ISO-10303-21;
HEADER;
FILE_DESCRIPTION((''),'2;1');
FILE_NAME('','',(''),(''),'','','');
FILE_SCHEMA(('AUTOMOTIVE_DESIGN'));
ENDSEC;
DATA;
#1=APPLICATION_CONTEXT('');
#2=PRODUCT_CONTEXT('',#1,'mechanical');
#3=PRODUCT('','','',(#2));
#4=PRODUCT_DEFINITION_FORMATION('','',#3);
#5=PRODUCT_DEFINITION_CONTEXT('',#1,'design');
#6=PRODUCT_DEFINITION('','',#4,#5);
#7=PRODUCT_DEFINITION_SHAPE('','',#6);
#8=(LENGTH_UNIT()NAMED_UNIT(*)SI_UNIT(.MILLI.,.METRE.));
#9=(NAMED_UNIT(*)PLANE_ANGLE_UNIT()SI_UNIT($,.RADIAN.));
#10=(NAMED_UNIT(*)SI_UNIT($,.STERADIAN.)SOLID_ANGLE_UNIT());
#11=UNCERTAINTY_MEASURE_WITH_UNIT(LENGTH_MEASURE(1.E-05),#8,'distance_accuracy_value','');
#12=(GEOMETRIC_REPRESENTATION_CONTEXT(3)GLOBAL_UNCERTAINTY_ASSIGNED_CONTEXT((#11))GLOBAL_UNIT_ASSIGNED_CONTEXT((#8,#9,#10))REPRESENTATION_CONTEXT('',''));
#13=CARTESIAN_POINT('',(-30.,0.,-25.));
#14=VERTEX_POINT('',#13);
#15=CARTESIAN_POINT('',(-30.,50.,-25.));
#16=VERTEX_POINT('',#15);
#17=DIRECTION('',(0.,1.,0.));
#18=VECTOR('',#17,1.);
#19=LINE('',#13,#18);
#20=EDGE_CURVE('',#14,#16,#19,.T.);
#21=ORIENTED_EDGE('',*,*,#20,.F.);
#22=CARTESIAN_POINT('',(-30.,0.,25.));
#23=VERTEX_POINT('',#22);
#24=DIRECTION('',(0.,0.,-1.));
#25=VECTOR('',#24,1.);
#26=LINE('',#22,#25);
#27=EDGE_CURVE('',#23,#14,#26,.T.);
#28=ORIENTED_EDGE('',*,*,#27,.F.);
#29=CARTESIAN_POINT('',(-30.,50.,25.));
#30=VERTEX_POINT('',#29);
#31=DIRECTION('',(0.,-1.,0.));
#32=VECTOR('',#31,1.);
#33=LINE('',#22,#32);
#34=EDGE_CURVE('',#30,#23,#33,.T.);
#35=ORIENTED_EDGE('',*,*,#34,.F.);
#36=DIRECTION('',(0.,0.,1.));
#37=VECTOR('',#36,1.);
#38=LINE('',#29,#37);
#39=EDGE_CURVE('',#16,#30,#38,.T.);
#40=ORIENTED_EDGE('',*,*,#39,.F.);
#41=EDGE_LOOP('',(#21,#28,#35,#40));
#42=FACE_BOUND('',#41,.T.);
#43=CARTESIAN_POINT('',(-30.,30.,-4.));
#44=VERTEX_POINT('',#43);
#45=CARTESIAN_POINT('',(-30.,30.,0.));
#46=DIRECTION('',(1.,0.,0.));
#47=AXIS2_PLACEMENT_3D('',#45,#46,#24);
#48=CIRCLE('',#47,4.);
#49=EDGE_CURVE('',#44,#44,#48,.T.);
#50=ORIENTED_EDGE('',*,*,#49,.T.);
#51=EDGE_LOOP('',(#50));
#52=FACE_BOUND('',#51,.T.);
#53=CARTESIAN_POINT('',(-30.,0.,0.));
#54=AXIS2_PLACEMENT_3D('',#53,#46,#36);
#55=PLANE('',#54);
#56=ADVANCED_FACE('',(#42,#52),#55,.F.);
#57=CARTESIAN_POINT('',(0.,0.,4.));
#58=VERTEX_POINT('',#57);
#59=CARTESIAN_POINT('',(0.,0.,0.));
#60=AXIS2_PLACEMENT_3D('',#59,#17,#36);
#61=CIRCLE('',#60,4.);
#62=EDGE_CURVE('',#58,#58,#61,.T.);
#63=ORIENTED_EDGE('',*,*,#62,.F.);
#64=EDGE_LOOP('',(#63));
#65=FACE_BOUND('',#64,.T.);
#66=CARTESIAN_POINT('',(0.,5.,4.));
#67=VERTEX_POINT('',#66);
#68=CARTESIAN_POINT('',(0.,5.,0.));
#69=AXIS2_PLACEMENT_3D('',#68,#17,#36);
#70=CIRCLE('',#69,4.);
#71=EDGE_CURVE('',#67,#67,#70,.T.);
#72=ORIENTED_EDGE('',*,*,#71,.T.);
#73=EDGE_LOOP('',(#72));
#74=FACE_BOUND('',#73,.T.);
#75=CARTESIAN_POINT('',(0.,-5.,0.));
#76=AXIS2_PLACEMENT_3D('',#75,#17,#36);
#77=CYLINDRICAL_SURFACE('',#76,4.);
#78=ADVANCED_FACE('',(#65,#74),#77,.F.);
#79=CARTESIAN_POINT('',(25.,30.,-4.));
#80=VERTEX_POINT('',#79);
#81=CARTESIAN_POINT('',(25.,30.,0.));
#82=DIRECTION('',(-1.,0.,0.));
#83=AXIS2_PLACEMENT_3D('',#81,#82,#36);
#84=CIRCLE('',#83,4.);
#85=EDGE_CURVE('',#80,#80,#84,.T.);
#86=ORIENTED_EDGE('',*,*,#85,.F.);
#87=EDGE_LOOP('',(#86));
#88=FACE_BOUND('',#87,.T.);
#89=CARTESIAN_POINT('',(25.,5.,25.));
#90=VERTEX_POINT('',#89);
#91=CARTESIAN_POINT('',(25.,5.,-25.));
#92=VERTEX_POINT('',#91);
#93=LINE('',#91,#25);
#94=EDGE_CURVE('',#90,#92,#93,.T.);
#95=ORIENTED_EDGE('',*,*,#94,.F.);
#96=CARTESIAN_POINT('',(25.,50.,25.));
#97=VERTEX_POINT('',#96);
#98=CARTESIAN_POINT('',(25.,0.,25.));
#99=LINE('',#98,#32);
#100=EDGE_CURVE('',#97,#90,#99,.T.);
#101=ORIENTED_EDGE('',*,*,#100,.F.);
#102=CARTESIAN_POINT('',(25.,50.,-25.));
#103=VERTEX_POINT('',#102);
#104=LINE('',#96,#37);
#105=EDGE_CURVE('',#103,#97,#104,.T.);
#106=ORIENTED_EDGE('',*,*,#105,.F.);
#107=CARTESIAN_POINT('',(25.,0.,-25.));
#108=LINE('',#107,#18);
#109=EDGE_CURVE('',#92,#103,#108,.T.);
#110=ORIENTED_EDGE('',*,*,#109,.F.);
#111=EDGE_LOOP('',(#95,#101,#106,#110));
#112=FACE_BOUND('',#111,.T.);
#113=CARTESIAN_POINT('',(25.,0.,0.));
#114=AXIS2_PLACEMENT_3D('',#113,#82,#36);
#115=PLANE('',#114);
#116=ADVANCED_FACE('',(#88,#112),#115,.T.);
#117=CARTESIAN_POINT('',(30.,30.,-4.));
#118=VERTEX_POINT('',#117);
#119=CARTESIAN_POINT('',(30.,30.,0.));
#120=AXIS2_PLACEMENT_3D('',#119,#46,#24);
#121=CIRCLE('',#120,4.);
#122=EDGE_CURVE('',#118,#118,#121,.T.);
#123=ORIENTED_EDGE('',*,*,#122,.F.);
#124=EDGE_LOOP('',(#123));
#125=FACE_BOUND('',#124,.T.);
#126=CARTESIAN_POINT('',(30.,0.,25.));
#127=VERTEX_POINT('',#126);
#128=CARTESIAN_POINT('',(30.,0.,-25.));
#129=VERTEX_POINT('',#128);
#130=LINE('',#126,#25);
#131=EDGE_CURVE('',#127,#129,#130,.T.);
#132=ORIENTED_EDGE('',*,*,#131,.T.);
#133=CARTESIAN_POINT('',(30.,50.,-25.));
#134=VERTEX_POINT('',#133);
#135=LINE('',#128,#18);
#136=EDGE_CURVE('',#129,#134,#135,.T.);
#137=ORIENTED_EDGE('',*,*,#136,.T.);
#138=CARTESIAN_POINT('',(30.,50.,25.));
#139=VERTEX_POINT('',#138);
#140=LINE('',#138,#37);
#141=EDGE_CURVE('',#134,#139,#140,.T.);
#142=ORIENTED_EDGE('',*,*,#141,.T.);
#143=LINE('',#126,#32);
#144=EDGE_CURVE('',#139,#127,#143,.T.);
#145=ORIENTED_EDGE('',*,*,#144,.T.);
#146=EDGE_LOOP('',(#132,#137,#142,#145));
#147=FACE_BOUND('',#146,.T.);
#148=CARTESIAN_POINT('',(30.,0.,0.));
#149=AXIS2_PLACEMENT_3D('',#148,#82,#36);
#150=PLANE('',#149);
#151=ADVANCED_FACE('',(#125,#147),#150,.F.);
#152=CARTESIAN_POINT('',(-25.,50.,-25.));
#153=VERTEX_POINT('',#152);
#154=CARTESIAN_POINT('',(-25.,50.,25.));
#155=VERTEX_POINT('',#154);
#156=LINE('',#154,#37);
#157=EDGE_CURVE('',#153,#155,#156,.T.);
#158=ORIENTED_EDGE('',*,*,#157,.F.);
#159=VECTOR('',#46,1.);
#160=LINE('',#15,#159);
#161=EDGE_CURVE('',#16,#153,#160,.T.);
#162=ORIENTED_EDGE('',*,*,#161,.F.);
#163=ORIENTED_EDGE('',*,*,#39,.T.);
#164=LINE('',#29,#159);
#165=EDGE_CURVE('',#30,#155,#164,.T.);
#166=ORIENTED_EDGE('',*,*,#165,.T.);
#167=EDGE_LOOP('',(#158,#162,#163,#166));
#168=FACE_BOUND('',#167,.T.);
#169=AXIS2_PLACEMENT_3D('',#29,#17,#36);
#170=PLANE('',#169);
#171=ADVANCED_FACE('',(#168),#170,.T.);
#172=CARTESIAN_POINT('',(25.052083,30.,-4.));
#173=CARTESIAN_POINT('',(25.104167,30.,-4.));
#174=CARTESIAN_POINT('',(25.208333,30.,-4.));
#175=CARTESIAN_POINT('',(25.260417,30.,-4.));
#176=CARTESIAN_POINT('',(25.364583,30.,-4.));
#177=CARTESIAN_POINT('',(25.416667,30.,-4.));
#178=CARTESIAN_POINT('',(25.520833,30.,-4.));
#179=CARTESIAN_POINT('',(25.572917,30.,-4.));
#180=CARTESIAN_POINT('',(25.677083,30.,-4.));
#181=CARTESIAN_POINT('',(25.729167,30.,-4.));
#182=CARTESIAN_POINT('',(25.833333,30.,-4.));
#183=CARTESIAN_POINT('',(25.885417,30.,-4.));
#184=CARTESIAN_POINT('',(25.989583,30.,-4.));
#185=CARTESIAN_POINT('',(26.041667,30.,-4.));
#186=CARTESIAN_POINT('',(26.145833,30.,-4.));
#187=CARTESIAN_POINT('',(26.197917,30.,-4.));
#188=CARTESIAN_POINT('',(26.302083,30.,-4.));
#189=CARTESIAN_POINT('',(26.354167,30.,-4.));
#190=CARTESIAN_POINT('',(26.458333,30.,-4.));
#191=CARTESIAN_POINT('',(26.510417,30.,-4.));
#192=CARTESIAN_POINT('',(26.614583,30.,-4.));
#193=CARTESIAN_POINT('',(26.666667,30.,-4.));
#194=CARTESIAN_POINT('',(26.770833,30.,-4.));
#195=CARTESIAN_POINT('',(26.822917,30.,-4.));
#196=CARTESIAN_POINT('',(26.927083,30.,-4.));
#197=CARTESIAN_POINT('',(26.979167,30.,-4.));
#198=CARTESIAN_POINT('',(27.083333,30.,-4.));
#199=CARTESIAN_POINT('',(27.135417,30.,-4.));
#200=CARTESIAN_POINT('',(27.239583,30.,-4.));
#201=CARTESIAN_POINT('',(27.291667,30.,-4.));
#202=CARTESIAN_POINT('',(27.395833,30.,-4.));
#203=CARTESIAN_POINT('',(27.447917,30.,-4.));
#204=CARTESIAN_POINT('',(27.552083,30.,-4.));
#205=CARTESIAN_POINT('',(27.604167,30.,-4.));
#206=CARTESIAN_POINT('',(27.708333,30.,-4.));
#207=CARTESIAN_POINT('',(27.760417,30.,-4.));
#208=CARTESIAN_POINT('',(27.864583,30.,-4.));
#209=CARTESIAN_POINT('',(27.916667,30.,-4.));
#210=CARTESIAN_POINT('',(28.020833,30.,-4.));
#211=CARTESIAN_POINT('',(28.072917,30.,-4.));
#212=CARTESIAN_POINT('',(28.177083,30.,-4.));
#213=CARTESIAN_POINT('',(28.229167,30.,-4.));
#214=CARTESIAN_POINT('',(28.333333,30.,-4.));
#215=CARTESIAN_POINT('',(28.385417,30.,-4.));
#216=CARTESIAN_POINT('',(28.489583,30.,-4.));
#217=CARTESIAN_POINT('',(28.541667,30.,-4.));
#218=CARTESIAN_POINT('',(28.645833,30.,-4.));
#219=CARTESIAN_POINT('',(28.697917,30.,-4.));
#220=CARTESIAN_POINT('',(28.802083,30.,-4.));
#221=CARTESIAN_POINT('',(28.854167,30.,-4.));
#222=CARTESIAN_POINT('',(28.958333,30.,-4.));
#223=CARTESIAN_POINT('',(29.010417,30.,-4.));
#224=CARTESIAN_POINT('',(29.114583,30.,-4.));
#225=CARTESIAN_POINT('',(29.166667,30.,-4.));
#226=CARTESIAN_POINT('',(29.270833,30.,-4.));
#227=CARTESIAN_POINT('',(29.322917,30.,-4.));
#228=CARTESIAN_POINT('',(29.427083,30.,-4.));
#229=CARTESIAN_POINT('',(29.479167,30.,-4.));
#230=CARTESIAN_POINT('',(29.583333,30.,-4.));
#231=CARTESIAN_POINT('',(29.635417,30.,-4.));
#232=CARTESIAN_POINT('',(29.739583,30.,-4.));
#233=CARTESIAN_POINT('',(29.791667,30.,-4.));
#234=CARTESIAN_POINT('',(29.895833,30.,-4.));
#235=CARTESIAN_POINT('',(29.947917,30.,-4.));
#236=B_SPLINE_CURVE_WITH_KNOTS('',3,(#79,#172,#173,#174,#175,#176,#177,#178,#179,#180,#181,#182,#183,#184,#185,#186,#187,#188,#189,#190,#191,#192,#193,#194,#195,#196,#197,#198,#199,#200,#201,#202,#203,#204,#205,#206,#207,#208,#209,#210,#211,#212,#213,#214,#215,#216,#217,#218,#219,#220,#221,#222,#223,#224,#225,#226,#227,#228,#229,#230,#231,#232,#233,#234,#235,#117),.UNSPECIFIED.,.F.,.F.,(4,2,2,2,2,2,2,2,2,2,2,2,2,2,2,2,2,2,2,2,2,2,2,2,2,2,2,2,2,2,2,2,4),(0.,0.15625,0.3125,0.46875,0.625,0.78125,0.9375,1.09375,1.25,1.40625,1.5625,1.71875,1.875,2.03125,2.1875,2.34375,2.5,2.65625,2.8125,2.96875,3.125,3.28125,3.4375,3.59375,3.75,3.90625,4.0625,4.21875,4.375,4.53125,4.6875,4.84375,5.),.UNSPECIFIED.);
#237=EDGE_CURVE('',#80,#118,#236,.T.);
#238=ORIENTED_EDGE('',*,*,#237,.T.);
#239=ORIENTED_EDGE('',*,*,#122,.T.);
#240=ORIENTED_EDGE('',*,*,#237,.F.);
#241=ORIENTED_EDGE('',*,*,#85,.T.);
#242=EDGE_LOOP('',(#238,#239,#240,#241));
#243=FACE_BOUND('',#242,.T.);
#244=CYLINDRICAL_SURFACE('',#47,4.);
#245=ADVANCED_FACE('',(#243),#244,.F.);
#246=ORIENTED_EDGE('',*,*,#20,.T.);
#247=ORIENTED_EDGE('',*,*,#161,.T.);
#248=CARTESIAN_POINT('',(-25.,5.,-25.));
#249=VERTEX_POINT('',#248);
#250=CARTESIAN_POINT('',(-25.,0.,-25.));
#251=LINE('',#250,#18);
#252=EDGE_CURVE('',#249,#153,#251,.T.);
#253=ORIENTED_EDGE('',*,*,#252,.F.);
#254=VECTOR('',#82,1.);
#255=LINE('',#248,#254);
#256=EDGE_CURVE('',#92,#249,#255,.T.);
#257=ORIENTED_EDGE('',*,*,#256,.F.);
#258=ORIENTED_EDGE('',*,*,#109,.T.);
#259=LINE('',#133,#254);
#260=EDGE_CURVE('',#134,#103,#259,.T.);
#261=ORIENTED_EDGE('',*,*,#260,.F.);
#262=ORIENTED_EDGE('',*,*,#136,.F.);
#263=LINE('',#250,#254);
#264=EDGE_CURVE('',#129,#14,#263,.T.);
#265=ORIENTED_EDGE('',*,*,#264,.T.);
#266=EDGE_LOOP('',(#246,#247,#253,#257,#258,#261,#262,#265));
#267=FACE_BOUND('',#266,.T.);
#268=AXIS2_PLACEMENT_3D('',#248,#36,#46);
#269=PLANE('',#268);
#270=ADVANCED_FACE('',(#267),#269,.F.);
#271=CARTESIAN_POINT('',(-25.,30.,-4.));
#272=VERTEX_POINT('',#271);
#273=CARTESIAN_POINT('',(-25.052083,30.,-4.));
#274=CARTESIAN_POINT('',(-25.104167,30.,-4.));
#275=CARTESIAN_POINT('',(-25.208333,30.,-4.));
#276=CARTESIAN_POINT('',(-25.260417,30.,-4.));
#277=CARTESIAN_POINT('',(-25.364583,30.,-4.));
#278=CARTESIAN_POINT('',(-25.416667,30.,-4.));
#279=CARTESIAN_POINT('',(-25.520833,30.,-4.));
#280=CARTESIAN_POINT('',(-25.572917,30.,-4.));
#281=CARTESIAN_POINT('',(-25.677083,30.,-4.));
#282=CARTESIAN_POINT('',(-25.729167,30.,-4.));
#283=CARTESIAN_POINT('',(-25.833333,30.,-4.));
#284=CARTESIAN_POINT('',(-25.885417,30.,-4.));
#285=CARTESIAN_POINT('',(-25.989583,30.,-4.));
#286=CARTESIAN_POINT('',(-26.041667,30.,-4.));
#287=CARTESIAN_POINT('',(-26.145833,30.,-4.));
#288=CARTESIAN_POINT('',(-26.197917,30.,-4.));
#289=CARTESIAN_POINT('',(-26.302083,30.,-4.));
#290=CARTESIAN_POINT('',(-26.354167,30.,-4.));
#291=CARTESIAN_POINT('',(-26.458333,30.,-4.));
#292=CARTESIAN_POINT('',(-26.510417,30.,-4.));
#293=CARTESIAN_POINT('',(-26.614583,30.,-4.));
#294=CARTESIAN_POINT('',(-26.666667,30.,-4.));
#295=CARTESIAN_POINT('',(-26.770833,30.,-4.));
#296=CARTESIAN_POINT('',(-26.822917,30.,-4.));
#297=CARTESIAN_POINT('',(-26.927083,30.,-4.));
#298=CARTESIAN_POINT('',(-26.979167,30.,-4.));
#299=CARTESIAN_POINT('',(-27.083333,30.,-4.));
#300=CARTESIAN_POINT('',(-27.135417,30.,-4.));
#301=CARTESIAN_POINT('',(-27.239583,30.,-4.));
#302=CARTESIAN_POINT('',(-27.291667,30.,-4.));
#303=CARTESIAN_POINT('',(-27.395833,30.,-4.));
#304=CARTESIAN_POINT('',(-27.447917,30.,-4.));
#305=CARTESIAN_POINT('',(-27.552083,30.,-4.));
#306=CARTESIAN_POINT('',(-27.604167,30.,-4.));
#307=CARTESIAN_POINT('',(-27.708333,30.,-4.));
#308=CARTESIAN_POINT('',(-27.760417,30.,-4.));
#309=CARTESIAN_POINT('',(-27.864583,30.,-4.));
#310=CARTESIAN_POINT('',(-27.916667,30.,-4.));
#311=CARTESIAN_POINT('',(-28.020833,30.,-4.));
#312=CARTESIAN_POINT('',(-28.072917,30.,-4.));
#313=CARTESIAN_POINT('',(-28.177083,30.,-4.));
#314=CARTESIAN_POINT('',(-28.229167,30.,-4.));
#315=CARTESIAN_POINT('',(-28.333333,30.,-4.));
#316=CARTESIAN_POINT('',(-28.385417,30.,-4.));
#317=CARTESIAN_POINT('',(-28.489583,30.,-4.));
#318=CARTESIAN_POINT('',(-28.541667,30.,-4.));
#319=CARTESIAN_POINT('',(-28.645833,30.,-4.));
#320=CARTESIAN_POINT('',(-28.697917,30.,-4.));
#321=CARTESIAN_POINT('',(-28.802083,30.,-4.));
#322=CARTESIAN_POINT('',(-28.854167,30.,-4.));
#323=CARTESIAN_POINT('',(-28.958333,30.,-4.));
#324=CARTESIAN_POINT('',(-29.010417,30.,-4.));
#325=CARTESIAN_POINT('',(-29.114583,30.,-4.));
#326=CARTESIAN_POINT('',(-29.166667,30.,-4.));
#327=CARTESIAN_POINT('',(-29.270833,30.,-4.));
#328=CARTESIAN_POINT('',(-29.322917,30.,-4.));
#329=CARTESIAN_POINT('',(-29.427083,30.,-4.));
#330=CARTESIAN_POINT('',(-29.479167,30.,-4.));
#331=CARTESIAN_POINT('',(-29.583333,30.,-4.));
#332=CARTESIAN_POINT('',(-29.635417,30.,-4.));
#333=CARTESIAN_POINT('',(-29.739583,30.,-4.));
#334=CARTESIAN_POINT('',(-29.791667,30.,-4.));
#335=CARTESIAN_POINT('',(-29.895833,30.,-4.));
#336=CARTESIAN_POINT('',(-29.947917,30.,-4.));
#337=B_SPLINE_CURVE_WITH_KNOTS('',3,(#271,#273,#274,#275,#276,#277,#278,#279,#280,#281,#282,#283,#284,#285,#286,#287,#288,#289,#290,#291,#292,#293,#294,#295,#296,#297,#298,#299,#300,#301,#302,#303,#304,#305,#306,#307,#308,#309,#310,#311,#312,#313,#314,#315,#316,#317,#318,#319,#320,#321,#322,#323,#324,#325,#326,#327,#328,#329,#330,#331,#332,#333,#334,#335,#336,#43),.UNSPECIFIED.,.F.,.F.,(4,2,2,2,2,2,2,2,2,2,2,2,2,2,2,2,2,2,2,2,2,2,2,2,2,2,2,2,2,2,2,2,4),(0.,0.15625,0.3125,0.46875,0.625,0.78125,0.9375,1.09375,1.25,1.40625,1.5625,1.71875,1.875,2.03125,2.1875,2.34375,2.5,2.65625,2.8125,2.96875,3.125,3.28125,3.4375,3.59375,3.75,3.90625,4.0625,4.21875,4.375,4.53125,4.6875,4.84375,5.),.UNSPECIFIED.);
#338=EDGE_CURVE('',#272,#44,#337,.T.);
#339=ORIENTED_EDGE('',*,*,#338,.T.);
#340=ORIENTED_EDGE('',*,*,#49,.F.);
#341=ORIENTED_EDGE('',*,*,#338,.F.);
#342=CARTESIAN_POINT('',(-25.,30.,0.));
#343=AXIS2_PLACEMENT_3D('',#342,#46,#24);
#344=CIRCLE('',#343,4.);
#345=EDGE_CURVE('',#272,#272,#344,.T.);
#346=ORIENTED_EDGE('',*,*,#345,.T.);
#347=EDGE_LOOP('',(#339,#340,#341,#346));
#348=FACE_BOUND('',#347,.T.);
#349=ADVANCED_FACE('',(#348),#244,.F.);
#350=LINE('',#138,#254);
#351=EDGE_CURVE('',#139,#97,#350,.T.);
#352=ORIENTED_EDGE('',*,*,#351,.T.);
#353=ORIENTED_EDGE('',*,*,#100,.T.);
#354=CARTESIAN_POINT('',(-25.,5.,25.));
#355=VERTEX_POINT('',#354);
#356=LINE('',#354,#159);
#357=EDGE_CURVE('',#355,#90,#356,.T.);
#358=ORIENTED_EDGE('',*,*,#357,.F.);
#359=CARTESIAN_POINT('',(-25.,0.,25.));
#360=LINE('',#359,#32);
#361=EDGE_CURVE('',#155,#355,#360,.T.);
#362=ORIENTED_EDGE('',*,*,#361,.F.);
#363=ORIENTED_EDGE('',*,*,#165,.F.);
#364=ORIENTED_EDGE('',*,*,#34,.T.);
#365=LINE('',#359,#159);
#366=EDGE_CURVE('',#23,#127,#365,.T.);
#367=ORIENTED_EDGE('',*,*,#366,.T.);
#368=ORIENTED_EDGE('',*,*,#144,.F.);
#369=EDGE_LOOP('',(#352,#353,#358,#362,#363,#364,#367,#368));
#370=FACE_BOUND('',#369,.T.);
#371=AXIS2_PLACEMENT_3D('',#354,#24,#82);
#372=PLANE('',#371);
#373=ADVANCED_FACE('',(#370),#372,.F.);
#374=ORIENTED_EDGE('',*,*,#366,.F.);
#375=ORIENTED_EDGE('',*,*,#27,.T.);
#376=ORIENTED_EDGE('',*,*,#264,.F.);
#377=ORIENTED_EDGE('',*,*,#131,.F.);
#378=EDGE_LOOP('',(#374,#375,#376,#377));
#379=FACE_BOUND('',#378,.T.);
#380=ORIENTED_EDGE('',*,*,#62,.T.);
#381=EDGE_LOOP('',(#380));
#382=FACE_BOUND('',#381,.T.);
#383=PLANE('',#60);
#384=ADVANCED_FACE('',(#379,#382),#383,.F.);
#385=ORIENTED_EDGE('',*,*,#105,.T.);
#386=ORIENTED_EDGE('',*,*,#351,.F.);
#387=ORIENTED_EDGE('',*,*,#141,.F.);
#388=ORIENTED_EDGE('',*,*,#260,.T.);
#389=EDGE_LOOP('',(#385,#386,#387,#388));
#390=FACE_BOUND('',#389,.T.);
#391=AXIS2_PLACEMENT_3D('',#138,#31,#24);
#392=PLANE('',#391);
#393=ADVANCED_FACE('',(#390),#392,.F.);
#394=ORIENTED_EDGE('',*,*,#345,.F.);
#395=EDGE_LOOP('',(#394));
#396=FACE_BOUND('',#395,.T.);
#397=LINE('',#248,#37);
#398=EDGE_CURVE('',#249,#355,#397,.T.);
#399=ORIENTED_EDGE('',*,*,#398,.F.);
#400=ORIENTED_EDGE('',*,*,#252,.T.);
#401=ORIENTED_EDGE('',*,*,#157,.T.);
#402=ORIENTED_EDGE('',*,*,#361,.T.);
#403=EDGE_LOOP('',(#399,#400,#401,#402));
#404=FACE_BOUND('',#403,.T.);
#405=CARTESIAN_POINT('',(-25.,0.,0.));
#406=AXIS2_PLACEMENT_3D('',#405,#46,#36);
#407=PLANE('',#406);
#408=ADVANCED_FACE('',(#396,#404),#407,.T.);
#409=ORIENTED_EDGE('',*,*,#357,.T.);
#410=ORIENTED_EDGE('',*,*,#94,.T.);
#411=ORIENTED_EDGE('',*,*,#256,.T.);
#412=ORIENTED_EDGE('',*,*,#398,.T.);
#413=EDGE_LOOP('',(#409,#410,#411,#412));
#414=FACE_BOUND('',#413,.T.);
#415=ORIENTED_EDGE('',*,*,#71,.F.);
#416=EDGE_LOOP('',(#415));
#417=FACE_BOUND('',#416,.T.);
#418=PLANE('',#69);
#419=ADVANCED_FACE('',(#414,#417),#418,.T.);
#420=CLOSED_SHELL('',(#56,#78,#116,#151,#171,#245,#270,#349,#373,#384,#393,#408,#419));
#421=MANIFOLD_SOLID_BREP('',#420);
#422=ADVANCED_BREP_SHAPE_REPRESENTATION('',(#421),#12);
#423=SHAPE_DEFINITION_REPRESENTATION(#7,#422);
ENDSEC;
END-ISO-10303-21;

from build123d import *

# Parameters (mm, degrees)
SKETCH_1_W          = 50
SKETCH_1_H          = 50
EXTRUDE_1_DEPTH     = 5
SKETCH_2_W          = 50
SKETCH_2_H          = 50
EXTRUDE_2_DEPTH     = 5
SKETCH_3_R          = 4
CUT_EXTRUDE_1_DEPTH = 10
SKETCH_4_R          = 4
CUT_EXTRUDE_2_DEPTH = 83.006097334


with BuildPart() as part:
    # 草图1 → 凸台-拉伸1 (new body)
    with BuildSketch(Plane(origin=(0, 0, 0), x_dir=(1, 0, 0), z_dir=(0, 1, 0))):
        Rectangle(SKETCH_1_W, SKETCH_1_H)
    extrude(amount=EXTRUDE_1_DEPTH)

    # 草图2 → 凸台-拉伸2 (add)
    with BuildSketch(Plane(origin=(25, 0, 0), x_dir=(0, 0, -1), z_dir=(1, 0, 0))):
        with Locations((0, 25)):
            Rectangle(SKETCH_2_W, SKETCH_2_H)
    extrude_2 = extrude(amount=EXTRUDE_2_DEPTH)

    # 镜向1: 凸台-拉伸2 across plane
    add(extrude_2.mirror(Plane(origin=(0, 0, 0), x_dir=(0, 0, 1), z_dir=(1, 0, 0))))

    # 草图3 → 切除-拉伸1 (cut)
    with BuildSketch(Plane(origin=(0, 5, 0), x_dir=(1, 0, 0), z_dir=(0, 1, 0))):
        with Locations(Location((0, 0, 0), (0, 0, 270))):
            Circle(SKETCH_3_R)
    extrude(amount=-CUT_EXTRUDE_1_DEPTH, mode=Mode.SUBTRACT)

    # 草图4 → 切除-拉伸2 (cut, through all)
    with BuildSketch(Plane(origin=(30, 0, 0), x_dir=(0, 0, -1), z_dir=(1, 0, 0))):
        with Locations((0, 30)):
            Circle(SKETCH_4_R)
    extrude(amount=-CUT_EXTRUDE_2_DEPTH, mode=Mode.SUBTRACT)


solid = part.part
